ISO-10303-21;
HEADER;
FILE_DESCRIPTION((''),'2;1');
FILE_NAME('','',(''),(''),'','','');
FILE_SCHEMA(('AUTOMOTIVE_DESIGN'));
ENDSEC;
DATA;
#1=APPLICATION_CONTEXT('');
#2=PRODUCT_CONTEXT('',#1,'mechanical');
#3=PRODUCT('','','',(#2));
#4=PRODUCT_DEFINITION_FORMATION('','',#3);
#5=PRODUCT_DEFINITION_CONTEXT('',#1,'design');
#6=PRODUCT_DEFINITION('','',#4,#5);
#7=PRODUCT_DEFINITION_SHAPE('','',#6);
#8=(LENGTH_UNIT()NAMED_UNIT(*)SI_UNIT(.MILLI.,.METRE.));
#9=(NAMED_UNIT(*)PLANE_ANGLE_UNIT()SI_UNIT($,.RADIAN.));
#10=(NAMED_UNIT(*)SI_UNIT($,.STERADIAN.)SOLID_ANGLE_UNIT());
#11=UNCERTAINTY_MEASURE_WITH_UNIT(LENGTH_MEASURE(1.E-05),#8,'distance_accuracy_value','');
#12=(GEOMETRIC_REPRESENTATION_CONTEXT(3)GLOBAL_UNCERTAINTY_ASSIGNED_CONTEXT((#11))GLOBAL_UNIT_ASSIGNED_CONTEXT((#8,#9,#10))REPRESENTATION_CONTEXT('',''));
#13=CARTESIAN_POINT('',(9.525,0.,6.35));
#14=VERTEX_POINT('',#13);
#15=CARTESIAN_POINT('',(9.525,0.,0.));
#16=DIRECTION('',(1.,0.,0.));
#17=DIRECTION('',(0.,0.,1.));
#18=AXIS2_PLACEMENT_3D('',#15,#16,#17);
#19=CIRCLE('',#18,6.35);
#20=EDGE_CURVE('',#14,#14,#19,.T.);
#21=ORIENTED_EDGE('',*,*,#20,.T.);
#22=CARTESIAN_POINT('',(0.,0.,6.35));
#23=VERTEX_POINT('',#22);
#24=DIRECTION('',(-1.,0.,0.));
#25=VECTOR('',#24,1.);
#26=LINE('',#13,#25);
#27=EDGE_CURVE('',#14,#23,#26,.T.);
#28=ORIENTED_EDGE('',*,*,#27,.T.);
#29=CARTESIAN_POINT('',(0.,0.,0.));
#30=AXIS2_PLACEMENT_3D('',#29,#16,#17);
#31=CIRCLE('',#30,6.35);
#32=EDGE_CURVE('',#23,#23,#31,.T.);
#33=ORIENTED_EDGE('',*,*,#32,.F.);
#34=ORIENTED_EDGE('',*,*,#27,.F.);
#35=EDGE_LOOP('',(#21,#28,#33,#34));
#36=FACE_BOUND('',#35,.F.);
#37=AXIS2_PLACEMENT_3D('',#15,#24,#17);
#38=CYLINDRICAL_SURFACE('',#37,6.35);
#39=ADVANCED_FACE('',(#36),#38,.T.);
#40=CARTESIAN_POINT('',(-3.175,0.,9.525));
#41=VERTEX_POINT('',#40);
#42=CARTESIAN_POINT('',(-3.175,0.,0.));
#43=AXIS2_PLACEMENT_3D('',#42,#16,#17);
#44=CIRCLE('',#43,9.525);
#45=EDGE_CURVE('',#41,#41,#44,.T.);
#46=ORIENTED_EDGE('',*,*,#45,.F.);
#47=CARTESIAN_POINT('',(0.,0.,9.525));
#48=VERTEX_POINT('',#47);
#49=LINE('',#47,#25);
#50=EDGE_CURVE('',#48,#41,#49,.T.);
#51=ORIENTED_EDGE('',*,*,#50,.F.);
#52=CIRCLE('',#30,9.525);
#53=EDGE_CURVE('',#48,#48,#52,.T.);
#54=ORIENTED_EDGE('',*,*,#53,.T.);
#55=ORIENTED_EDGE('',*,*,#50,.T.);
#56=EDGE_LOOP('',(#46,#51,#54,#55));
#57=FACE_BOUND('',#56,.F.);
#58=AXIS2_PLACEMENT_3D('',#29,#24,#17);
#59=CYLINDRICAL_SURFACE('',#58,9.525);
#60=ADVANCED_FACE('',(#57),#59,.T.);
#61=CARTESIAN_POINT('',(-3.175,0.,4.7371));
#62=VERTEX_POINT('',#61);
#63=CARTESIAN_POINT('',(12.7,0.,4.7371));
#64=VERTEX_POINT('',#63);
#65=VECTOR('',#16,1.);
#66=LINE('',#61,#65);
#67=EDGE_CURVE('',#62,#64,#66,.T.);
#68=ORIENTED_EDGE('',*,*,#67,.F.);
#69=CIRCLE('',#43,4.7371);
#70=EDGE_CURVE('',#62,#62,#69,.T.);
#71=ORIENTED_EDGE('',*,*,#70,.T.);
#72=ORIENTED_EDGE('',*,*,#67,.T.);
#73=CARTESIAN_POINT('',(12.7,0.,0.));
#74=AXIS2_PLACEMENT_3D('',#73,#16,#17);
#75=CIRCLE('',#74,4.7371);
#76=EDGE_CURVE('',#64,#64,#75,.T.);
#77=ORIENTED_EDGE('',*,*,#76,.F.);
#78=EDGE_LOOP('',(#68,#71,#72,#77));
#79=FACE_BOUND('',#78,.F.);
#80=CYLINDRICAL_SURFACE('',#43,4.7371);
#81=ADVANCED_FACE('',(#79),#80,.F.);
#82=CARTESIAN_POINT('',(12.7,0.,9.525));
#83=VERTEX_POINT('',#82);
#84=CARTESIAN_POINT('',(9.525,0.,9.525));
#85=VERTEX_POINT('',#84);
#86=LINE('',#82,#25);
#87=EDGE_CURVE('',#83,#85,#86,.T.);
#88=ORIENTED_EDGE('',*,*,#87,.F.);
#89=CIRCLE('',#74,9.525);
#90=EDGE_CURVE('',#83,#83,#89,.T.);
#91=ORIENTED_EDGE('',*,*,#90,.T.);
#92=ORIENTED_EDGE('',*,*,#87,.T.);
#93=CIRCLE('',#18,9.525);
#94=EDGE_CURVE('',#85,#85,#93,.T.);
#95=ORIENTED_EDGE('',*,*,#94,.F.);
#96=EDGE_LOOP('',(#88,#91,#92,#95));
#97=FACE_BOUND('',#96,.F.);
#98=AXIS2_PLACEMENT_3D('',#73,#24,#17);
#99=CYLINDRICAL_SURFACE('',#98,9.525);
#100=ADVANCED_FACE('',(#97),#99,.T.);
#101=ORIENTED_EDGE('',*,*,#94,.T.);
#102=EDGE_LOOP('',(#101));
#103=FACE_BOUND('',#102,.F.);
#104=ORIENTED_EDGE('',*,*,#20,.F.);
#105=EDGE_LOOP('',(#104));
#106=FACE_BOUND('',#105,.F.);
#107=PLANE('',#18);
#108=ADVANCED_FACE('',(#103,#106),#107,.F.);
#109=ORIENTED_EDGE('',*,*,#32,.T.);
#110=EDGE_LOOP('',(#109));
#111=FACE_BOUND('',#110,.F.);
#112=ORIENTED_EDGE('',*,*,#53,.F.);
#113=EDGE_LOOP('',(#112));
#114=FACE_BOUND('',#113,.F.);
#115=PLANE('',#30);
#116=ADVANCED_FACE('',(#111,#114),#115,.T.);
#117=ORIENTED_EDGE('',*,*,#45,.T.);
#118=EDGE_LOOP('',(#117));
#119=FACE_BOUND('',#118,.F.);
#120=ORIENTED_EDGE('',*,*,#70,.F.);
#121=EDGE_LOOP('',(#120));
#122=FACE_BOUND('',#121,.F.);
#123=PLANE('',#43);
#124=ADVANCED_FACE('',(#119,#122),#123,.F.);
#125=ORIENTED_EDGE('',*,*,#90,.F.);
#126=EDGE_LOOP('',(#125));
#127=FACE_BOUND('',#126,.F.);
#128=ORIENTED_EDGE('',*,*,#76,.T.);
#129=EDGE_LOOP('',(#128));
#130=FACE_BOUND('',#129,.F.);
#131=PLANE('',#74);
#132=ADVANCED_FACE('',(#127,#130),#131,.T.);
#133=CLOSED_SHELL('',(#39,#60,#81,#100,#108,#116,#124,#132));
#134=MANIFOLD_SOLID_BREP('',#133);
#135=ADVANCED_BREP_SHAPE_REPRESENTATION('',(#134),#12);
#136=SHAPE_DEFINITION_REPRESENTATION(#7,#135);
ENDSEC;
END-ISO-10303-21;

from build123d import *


with BuildPart() as f1:
    # F0 (on Front) → F1 (revolve)
    with BuildSketch(Plane.XZ):
        Polygon((0, 6.35), (0, 4.7371), (12.7, 4.7371), (12.7, 9.525), (9.525, 9.525), (9.525, 6.35), align=None)
        Polygon((-3.175, 4.7371), (0, 4.7371), (0, 6.35), (0, 9.525), (-3.175, 9.525), align=None)
    revolve(axis=Axis((9.827045, 0, 0), (1, 0, 0)))


solid = f1.part
